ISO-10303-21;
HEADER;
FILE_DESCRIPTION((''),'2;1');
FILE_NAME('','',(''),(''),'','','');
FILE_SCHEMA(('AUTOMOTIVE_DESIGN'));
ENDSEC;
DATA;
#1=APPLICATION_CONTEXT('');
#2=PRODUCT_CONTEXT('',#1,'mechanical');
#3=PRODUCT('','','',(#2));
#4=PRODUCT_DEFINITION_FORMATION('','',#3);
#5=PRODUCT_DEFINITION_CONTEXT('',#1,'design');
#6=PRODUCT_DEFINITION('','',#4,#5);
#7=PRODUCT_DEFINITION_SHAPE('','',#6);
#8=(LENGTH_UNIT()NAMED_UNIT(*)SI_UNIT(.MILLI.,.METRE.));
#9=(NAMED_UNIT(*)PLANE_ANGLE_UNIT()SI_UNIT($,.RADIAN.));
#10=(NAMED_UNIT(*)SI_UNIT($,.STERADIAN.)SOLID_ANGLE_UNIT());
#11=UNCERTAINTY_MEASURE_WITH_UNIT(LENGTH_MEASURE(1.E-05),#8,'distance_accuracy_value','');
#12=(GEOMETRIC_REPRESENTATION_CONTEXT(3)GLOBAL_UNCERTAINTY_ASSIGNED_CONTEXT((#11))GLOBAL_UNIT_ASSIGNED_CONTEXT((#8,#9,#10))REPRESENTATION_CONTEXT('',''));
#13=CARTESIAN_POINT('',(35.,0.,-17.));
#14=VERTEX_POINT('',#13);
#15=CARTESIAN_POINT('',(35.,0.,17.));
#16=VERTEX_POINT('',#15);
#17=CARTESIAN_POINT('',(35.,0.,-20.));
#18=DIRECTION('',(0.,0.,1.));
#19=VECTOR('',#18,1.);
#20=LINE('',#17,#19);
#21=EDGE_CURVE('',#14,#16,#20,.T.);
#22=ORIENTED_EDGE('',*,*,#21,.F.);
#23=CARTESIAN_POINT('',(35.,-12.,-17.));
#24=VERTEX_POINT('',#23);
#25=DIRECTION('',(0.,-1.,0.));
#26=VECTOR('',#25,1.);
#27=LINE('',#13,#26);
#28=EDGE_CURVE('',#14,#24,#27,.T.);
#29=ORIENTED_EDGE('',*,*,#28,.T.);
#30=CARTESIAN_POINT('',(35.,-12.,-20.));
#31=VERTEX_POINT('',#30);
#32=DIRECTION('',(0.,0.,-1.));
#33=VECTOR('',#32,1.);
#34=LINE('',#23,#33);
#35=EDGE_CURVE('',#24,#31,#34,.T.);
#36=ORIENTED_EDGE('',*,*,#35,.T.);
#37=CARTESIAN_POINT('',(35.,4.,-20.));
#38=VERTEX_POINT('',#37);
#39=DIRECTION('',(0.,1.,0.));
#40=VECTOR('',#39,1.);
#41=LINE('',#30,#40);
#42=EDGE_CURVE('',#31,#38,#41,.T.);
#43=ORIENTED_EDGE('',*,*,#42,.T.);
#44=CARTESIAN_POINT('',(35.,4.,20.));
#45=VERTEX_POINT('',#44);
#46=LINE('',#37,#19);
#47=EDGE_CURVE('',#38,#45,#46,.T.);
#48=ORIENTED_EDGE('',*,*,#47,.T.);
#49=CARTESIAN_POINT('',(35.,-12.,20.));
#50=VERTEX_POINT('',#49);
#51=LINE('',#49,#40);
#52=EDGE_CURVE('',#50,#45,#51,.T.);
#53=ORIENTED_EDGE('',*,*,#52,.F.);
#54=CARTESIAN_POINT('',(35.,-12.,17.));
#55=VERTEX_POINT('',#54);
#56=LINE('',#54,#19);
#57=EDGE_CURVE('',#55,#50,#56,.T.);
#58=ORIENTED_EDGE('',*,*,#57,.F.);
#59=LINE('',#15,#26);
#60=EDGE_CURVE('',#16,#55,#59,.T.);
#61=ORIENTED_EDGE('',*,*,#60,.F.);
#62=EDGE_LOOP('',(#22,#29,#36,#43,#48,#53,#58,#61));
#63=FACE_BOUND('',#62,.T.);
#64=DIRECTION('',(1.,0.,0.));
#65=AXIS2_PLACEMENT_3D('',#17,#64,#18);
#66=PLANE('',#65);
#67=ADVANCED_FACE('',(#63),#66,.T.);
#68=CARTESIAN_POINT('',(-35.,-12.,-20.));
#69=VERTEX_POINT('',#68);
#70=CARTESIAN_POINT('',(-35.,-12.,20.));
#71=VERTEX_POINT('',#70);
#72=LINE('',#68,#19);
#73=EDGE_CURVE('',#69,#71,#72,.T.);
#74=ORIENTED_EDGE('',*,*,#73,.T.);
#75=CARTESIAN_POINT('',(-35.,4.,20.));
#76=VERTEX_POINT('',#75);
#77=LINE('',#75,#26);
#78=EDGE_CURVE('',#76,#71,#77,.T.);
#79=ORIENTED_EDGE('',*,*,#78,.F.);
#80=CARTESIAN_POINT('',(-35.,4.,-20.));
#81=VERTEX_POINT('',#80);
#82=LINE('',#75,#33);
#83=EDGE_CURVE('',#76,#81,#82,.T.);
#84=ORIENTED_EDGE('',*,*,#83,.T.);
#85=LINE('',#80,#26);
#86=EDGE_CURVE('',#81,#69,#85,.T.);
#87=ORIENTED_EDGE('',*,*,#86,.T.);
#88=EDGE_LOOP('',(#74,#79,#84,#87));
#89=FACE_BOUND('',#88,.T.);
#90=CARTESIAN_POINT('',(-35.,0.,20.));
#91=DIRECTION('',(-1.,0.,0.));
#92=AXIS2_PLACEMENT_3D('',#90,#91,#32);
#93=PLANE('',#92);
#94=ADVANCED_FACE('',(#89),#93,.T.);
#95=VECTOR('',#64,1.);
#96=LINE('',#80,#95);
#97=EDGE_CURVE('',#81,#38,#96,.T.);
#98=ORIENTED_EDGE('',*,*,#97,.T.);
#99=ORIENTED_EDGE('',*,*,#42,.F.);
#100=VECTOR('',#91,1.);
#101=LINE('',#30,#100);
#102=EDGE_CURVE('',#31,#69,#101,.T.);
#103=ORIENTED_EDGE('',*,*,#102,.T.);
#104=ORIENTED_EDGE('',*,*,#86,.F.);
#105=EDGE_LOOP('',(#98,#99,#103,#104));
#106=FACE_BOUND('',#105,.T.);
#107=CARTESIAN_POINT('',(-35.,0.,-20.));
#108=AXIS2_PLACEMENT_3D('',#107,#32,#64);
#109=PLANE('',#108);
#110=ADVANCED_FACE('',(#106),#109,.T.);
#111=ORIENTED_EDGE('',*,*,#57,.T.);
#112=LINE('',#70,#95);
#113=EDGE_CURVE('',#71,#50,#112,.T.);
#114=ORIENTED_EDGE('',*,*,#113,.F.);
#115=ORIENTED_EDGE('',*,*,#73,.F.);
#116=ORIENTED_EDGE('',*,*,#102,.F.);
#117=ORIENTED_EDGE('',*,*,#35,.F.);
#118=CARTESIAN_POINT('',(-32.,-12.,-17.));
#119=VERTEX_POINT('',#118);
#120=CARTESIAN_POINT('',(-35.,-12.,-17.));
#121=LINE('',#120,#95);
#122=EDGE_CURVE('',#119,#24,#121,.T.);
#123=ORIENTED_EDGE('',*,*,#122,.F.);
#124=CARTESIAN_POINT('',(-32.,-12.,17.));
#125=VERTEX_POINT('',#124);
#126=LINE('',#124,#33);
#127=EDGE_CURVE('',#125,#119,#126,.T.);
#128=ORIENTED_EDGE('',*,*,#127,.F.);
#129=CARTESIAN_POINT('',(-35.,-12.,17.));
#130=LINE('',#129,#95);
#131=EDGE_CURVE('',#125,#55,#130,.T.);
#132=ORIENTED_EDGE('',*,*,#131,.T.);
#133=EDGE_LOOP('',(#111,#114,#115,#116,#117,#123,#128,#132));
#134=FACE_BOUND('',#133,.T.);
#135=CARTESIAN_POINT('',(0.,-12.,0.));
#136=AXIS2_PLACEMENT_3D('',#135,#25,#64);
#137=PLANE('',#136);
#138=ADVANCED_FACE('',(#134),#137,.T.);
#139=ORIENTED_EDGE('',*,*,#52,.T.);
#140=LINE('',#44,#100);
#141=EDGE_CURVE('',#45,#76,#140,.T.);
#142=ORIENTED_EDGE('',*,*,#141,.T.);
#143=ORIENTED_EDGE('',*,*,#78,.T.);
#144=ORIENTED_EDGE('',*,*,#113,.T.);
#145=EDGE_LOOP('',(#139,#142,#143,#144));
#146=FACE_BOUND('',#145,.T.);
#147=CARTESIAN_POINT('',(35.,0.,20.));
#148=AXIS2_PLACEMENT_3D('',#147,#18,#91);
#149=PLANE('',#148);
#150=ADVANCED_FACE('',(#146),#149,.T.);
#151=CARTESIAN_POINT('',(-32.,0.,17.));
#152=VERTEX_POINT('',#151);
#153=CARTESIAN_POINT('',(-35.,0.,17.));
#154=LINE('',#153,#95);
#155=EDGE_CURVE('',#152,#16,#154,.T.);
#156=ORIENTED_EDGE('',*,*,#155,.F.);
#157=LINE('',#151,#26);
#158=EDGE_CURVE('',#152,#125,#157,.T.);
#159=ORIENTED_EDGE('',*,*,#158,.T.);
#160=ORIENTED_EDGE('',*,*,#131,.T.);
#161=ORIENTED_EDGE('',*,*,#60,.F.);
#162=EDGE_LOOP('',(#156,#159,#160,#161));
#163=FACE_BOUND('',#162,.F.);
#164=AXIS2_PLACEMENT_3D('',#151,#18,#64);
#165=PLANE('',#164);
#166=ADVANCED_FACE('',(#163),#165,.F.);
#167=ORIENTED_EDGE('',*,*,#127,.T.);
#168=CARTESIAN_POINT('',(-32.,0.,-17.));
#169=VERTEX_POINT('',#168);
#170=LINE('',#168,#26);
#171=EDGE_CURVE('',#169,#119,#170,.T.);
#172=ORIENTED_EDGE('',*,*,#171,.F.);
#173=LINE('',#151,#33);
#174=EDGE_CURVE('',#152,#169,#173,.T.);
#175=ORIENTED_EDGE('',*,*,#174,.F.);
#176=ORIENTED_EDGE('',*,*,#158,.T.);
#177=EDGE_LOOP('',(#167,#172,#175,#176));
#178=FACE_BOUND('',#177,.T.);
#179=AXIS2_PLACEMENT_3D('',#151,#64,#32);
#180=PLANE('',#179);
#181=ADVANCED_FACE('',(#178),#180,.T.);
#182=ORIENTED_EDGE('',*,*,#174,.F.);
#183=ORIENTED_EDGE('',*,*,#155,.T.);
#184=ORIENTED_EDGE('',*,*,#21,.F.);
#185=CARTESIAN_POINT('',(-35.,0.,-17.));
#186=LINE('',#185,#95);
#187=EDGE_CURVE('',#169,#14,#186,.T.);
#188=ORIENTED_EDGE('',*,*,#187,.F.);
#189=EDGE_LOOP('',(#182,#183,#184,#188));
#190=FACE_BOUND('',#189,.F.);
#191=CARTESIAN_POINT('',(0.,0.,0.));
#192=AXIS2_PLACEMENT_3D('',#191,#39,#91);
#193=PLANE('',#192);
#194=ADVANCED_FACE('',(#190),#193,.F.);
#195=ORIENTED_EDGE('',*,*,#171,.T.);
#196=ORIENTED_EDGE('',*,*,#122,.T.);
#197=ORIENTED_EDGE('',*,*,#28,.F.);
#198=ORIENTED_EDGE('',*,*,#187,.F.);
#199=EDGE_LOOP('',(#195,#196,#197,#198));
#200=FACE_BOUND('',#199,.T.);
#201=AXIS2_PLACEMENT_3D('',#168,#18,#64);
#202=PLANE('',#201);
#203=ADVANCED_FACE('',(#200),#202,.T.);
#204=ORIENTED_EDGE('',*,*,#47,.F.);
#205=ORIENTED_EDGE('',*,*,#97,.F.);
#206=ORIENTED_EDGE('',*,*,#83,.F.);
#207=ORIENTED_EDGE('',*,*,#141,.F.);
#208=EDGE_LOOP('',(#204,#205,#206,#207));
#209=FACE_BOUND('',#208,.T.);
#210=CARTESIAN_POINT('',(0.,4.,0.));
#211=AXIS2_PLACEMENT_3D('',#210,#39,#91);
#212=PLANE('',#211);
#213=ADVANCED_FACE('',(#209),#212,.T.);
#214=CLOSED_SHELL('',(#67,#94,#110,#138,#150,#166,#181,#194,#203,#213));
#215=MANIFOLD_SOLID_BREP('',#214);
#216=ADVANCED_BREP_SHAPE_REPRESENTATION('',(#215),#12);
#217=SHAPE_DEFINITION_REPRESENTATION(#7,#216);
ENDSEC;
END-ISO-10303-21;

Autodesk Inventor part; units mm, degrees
ref_plane "YZ Plane" through (0, 0, 0) normal (1, 0, 0) x (0, 1, 0)
ref_plane "XZ Plane" through (0, 0, 0) normal (0, 1, 0) x (-1, 0, 0)
ref_plane "XY Plane" through (0, 0, 0) normal (0, 0, 1) x (1, 0, 0)
sketch "Эскиз1" plane through (0, 0, 0) normal (0, 1, 0) x (-1, 0, 0)
  line L0 (-35, 20) -> (35, 20)
  line L1 (35, 20) -> (35, -20)
  line L2 (35, -20) -> (-35, -20)
  line L3 (-35, -20) -> (-35, 20)
  line L4 (-35, 20) -> (35, -20) construction
  line L5 (35, 20) -> (-35, -20) construction
  point P0 (0, 0)
  dimension "d0" = 40
  dimension "d1" = 70
extrude "Выдавливание1" add sketch "Эскиз1" along normal blind 4
sketch "Эскиз2" plane through (0, 0, 0) normal (0, -1, 0) x (1, 0, 0)
  line L0 (-35, 20) -> (35, 20) projected
  line L1 (35, 20) -> (-35, 20)
  line L2 (-35, 20) -> (-35, 17)
  line L3 (-35, 17) -> (35, 17)
  line L4 (35, 17) -> (35, 20)
  line L5 (35, -20) -> (-35, -20) projected
  line L6 (35, -20) -> (-35, -20)
  line L7 (-35, -20) -> (-35, -17)
  line L8 (-35, -17) -> (35, -17)
  line L9 (35, -17) -> (35, -20)
  line L10 (-35, -20) -> (-35, 20) projected
  line L11 (-35, 17) -> (-32, 17)
  line L12 (-32, 17) -> (-32, -17)
  line L13 (-32, -17) -> (-35, -17)
  line L14 (-35, -17) -> (-35, 17)
  point P0 (0, 0)
  dimension "d4" = 3
extrude "Выдавливание2" add sketch "Эскиз2" along normal blind 12
properties part number "Battery box under the board"
